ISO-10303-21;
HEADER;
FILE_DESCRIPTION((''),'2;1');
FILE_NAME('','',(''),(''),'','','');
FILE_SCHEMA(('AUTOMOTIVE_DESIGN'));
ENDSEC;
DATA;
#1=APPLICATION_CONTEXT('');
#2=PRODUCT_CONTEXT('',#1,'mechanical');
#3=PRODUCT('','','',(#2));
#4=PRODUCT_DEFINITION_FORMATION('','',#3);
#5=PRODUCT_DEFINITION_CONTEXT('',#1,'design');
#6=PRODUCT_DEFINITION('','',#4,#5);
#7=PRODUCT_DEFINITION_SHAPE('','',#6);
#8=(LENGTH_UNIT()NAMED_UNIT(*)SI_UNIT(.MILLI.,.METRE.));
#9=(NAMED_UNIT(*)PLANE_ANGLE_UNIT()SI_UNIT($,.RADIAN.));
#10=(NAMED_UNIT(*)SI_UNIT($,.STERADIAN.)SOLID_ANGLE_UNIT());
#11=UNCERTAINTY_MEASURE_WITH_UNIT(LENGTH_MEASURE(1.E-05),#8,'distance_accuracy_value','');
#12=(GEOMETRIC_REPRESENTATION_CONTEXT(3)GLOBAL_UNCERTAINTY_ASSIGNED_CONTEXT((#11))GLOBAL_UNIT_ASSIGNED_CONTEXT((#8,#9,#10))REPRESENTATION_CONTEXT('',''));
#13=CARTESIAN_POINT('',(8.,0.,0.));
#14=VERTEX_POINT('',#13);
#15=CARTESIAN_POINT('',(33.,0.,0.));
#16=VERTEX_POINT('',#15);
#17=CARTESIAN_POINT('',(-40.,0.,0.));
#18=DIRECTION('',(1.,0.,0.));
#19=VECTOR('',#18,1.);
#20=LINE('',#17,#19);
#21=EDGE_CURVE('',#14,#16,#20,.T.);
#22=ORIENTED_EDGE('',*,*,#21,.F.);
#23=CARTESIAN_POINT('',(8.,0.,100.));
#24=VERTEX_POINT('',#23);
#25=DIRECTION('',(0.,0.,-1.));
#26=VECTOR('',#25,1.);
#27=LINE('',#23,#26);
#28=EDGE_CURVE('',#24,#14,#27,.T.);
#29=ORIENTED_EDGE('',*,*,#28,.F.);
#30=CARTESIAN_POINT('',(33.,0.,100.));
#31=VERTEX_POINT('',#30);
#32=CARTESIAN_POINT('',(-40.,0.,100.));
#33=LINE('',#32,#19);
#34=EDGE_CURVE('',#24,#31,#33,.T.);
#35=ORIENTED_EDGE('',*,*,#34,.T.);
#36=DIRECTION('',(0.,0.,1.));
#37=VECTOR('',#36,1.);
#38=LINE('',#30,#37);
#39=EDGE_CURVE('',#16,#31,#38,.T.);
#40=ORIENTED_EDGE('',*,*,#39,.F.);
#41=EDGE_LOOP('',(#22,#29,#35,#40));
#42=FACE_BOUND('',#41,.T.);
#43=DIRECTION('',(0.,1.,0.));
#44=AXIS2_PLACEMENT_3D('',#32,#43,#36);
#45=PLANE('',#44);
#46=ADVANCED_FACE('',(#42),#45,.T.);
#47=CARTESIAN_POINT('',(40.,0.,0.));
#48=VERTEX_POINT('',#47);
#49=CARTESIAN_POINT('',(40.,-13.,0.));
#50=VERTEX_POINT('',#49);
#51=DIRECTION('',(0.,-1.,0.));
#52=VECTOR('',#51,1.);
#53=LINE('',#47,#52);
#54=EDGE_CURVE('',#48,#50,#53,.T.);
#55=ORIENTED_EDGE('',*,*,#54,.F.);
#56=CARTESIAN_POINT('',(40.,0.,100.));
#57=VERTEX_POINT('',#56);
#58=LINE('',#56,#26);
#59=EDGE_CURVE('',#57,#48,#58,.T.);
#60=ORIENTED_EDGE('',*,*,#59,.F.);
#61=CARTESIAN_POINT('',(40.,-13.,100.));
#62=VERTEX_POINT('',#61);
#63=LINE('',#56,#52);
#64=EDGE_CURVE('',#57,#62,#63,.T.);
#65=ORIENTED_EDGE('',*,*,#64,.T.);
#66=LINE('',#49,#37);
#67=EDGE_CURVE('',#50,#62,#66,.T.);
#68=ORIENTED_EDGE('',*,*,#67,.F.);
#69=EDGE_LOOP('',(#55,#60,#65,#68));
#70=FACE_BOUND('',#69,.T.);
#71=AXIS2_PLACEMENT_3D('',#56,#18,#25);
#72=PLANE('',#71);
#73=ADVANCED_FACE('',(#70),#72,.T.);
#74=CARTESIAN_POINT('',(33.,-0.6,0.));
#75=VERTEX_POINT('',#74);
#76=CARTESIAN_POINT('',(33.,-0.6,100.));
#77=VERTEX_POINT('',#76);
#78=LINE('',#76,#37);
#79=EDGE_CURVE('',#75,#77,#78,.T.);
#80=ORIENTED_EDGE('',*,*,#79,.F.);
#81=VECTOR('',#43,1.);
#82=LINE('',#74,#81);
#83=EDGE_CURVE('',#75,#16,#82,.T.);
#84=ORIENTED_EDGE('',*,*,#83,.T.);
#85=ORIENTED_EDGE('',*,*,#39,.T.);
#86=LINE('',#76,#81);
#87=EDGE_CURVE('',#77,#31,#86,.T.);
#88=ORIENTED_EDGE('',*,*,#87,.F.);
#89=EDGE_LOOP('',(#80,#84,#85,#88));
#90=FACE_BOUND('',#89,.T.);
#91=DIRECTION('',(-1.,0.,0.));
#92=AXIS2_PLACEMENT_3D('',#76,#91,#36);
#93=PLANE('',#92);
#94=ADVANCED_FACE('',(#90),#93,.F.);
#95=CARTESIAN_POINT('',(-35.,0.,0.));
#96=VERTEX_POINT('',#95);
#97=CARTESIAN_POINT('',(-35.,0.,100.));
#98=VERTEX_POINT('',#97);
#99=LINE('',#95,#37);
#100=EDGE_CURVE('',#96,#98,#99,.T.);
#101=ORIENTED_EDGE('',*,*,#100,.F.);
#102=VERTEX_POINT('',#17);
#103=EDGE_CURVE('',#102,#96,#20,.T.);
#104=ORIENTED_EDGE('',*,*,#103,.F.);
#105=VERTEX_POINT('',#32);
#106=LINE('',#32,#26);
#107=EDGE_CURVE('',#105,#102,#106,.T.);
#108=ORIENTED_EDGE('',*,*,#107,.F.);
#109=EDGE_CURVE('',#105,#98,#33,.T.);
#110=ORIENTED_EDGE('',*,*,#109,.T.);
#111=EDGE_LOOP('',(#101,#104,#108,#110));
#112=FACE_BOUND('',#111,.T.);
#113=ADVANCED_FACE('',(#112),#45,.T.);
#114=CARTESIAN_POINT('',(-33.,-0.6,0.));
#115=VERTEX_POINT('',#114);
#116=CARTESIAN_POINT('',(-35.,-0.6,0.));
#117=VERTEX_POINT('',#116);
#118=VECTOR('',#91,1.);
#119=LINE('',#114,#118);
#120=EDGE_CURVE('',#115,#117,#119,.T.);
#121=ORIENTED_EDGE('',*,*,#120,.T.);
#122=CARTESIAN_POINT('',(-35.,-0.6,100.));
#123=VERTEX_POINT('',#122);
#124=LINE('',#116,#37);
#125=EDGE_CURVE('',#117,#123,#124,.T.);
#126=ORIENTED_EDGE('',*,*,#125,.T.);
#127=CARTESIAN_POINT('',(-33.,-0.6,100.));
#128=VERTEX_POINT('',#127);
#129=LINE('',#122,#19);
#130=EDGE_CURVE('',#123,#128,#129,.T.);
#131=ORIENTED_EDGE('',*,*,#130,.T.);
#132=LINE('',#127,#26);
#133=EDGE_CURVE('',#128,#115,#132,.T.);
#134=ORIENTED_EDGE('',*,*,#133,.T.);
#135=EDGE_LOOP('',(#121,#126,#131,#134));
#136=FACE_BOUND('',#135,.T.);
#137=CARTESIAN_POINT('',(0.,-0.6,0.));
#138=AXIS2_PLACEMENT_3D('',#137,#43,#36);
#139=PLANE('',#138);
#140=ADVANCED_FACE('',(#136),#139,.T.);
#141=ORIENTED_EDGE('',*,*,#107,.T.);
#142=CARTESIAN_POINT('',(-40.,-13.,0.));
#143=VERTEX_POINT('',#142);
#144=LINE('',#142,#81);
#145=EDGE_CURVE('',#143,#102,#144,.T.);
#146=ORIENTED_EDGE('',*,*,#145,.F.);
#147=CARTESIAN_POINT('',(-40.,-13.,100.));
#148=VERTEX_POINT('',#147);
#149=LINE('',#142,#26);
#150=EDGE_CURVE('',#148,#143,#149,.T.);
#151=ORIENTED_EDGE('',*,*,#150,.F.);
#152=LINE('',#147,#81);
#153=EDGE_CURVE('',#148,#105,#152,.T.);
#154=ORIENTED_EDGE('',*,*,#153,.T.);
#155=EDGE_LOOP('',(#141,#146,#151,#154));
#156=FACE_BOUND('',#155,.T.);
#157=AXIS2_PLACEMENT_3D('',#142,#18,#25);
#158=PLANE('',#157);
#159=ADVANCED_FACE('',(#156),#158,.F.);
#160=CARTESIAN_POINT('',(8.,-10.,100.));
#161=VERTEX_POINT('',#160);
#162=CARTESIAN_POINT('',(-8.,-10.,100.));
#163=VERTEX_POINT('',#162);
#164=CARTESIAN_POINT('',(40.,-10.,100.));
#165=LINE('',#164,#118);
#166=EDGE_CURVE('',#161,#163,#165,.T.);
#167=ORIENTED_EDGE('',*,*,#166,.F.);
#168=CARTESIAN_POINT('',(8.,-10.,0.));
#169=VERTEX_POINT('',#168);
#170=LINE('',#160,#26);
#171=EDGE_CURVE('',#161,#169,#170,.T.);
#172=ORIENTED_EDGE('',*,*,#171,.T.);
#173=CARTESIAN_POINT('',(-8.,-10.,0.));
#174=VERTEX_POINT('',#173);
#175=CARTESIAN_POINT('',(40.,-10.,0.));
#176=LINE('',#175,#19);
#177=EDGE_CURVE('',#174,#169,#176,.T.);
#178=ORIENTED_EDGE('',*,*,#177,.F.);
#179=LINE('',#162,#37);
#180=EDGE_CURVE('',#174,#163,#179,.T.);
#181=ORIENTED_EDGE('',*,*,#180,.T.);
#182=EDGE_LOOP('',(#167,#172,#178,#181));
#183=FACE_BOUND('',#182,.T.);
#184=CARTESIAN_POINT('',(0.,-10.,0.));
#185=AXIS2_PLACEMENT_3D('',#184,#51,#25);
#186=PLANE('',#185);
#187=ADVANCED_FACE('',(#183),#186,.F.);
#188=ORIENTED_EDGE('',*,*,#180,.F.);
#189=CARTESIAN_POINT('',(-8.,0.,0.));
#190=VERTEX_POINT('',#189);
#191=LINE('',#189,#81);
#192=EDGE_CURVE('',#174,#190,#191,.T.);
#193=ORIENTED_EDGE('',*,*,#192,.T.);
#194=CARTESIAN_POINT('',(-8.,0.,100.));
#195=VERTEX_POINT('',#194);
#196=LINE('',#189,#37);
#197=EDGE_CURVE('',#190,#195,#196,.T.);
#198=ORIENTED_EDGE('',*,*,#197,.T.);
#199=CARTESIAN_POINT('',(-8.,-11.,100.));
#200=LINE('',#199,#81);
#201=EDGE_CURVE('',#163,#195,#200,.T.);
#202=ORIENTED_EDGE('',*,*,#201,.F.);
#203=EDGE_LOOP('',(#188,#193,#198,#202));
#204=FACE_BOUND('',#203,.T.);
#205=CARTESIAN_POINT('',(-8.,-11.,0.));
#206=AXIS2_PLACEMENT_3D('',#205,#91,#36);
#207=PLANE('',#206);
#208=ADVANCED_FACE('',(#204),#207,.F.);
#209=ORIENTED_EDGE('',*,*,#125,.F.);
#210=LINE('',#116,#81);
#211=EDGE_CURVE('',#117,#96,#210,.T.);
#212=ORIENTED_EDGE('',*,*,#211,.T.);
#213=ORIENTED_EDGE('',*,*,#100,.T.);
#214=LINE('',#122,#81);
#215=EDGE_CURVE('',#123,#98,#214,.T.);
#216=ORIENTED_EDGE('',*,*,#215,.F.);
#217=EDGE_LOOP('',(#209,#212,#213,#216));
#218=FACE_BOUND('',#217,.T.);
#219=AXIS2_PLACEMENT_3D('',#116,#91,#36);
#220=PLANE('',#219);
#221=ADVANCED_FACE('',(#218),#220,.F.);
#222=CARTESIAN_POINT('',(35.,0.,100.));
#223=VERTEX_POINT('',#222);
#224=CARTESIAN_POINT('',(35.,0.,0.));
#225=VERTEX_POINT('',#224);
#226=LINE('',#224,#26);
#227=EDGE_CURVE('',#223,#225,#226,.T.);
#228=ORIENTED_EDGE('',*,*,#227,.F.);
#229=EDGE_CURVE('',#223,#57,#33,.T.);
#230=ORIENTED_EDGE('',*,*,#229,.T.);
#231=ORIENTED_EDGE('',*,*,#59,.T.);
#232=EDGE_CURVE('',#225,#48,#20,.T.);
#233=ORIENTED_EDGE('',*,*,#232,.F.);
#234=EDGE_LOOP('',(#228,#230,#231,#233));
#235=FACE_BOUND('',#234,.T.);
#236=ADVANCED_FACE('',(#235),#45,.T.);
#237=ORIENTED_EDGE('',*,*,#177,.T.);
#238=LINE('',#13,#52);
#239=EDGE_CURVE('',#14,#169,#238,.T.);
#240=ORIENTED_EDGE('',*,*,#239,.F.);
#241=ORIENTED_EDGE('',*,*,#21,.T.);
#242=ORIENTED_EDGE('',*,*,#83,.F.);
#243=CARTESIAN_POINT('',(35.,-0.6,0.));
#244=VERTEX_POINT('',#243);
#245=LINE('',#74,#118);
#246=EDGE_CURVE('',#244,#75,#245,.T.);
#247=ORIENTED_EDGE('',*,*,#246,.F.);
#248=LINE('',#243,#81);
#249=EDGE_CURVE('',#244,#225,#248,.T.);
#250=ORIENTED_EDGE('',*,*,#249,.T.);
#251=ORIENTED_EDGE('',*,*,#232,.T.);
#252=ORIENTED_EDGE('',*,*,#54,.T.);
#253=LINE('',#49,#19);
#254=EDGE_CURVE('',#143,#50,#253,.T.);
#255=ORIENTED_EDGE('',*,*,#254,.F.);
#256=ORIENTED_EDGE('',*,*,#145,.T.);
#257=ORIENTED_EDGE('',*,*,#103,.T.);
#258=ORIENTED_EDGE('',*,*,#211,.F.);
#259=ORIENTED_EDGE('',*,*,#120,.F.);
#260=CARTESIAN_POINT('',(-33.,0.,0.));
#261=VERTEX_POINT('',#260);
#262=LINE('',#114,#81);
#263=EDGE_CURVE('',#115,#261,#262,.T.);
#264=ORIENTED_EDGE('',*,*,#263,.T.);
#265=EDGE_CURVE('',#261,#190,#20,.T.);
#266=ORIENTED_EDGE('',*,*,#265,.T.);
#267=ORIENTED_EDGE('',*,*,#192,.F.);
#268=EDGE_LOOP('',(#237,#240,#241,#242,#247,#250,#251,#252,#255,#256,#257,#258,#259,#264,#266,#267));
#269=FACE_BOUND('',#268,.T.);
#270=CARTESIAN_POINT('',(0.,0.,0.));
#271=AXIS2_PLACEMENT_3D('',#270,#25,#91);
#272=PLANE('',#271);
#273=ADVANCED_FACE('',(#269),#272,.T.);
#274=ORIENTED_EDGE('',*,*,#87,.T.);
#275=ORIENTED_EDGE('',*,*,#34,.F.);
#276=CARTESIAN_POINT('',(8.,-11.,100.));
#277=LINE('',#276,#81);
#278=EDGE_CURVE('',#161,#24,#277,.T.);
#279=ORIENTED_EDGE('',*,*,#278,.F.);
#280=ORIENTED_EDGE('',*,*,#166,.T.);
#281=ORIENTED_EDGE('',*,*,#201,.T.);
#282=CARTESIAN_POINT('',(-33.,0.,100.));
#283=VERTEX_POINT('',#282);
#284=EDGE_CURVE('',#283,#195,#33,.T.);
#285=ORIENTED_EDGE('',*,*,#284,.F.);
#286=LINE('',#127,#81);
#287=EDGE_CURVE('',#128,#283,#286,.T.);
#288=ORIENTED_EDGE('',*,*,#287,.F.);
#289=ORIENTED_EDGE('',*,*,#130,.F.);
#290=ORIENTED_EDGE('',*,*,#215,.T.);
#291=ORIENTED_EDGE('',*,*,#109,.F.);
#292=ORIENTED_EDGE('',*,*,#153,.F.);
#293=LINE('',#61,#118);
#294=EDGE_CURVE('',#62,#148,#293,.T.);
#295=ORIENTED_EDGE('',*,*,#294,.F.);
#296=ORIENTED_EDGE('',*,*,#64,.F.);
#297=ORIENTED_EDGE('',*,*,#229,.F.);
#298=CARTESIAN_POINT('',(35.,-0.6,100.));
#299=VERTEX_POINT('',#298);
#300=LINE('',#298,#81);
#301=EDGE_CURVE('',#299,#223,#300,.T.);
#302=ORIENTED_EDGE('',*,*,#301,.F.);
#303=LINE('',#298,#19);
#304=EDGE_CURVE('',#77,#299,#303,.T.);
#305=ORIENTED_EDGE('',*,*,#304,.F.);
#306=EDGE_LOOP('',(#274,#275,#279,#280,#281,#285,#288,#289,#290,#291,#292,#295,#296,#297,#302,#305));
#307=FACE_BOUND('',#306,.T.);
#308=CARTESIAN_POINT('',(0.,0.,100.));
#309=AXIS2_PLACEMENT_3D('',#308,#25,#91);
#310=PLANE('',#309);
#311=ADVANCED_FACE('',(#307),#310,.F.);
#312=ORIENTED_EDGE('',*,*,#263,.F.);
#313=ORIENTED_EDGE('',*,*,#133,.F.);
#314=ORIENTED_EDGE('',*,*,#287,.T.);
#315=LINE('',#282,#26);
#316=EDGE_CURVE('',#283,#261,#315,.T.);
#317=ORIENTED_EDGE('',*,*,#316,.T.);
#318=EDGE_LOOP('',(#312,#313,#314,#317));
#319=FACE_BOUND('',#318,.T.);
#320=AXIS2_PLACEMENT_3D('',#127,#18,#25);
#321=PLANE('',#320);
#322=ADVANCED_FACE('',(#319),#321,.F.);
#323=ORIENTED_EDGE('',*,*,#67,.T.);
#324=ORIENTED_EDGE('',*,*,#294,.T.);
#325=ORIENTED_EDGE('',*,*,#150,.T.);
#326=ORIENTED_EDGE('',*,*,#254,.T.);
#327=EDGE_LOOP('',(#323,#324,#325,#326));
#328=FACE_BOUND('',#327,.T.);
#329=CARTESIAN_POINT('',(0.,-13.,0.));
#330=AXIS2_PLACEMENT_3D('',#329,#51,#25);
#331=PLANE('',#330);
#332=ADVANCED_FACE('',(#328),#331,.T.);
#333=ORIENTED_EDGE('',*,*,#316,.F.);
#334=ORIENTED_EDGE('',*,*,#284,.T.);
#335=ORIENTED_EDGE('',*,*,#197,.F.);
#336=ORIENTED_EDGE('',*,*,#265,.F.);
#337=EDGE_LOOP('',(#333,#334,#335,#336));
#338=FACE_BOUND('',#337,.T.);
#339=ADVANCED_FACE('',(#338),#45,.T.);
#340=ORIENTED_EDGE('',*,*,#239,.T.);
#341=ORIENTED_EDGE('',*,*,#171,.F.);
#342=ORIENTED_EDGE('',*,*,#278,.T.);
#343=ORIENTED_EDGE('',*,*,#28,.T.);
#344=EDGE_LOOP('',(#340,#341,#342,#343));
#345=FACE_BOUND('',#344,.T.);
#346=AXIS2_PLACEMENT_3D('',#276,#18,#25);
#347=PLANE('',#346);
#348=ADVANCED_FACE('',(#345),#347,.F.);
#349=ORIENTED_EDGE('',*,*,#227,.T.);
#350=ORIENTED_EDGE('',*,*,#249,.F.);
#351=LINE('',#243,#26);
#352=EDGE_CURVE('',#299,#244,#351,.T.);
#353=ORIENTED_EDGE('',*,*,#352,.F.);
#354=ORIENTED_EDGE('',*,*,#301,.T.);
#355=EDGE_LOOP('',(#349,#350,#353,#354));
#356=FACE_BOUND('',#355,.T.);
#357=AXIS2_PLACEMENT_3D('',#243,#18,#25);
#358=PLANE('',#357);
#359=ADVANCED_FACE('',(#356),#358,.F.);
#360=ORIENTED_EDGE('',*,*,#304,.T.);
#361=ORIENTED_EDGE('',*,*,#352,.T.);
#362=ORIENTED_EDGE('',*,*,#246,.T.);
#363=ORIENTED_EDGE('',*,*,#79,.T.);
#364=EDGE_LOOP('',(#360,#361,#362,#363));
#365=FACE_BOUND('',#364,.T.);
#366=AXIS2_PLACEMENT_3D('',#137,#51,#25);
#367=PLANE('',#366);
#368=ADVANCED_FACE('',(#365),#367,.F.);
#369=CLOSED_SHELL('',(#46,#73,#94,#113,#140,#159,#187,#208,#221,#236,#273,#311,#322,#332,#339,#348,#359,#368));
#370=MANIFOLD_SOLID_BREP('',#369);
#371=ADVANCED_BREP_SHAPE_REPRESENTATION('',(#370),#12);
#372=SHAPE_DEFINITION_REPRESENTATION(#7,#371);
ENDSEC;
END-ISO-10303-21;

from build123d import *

# Parameters (mm, degrees)
ESQUISSE3_W             = 80
ESQUISSE3_H             = 10
EXTRU_MINCE4_DEPTH      = 100
ESQUISSE4_W             = 2
ESQUISSE4_H             = 100
ENL_V_MAT_EXTRU_1_DEPTH = 0.6
ENL_V_MAT_EXTRU_2_DEPTH = 11
ESQUISSE6_W             = 80
ESQUISSE6_H             = 100
BOSS_EXTRU_1_DEPTH      = 3


with BuildPart() as part:
    # Esquisse3 → Extru.-Mince4 (new body)
    with BuildSketch(Plane.XY):
        with Locations((0, -5)):
            Rectangle(ESQUISSE3_W, ESQUISSE3_H)
    extrude(amount=EXTRU_MINCE4_DEPTH)

    # Esquisse4 → Enlèv. mat.-Extru.1 (cut)
    with BuildSketch(Plane(origin=(0, 0, 0), x_dir=(1, 0, 0), z_dir=(0, 1, 0))):
        with Locations((-34, -50)):
            Rectangle(ESQUISSE4_W, ESQUISSE4_H)
        with Locations((34, -50)):
            Rectangle(ESQUISSE4_W, ESQUISSE4_H)
    extrude(amount=-ENL_V_MAT_EXTRU_1_DEPTH, mode=Mode.SUBTRACT)

    # Esquisse5 → Enlèv. mat.-Extru.2 (cut)
    with BuildSketch(Plane(origin=(0, 0, 0), x_dir=(1, 0, 0), z_dir=(0, 1, 0))):
        Polygon((0, 0), (-8, 0), (-8, -100), (8, -100), (8, 0), align=None)
    extrude(amount=-ENL_V_MAT_EXTRU_2_DEPTH, mode=Mode.SUBTRACT)

    # Esquisse6 → Boss.-Extru.1 (add)
    with BuildSketch(Plane.XZ.offset(10)):
        with Locations((0, 50)):
            Rectangle(ESQUISSE6_W, ESQUISSE6_H)
    extrude(amount=BOSS_EXTRU_1_DEPTH)


solid = part.part
